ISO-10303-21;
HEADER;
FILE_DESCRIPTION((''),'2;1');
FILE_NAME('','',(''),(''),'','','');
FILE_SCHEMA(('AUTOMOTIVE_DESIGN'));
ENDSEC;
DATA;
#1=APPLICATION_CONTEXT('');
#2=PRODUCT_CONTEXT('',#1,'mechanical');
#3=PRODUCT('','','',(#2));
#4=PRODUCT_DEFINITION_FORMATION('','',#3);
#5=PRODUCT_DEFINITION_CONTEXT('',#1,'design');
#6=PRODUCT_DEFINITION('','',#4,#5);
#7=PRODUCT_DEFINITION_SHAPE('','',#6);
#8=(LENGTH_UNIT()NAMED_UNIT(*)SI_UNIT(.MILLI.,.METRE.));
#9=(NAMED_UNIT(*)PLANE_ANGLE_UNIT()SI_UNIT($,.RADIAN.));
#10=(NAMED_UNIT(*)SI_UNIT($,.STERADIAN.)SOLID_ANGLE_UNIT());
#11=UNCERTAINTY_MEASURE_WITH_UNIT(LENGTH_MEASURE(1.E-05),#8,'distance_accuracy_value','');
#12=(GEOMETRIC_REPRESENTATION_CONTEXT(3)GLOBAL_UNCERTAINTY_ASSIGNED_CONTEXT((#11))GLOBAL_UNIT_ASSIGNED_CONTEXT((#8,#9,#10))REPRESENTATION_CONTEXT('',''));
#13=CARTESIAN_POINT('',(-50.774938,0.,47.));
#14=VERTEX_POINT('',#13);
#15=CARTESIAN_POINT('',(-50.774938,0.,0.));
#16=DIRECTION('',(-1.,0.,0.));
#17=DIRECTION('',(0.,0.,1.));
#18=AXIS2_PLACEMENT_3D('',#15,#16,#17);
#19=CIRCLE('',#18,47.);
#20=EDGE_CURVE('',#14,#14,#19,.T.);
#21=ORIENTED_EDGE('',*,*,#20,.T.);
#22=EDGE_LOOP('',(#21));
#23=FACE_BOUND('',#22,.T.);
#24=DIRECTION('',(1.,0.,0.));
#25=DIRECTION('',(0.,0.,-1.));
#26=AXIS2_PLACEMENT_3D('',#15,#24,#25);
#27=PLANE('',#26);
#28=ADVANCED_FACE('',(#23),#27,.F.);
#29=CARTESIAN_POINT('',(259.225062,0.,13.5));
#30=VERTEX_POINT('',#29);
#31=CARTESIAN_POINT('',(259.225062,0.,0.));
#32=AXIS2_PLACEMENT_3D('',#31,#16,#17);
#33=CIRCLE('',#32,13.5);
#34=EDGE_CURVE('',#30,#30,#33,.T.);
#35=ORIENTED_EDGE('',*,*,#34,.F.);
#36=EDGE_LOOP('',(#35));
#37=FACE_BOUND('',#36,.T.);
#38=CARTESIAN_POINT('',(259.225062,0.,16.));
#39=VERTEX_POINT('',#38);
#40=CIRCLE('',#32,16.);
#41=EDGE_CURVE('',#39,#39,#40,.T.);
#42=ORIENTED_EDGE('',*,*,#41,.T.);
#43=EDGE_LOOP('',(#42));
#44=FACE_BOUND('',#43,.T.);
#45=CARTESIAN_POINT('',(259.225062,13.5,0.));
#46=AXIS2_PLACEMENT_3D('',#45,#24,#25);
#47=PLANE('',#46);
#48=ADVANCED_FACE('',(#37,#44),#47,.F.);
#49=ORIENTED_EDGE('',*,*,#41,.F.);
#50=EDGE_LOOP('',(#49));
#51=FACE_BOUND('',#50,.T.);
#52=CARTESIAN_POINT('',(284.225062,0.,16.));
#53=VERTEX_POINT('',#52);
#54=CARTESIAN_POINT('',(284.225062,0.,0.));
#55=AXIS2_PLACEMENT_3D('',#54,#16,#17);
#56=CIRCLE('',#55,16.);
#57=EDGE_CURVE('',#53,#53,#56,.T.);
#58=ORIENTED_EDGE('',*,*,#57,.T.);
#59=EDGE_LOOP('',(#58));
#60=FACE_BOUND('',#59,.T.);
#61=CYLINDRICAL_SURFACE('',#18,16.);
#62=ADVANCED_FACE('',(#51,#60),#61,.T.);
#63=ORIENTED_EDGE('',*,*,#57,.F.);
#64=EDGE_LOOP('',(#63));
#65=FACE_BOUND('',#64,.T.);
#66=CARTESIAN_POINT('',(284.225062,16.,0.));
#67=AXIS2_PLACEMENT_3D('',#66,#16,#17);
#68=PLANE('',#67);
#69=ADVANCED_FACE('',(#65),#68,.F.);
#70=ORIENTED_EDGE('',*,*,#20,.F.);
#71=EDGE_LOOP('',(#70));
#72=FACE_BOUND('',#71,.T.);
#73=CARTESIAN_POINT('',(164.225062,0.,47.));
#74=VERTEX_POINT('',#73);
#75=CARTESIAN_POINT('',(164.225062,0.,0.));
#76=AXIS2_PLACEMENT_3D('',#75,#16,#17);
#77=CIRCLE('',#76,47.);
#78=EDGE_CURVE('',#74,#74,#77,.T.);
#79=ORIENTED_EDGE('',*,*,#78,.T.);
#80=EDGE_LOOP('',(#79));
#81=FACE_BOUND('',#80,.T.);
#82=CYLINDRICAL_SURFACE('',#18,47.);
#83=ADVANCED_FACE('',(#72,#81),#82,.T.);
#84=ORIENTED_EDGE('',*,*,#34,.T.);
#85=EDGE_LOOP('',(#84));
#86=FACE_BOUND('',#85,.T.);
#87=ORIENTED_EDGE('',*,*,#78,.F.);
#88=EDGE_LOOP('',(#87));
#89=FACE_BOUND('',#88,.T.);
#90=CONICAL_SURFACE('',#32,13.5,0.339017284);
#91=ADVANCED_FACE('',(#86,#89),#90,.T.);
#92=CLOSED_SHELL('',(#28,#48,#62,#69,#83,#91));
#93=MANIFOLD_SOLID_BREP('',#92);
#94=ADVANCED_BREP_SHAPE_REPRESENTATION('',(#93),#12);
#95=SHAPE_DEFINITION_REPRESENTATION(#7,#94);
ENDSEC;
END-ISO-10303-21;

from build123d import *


with BuildPart() as part:
    # Эскиз1 → Повернуть2 (revolve)
    with BuildSketch(Plane.XY, mode=Mode.PRIVATE) as revolve_2_sk:
        Polygon((-50.774937895, 0), (-50.774937895, 47), (164.225062105, 47), (259.225062105, 13.5), (259.225062105, 16), (284.225062105, 16), (284.225062105, 0), align=None)
    revolve(revolve_2_sk.sketch.rotate(Axis((-50.774937895, 0, 0), (1, 0, 0)), 90), axis=Axis((-50.774937895, 0, 0), (1, 0, 0)))  # turned: the seam where the file's is


solid = part.part
